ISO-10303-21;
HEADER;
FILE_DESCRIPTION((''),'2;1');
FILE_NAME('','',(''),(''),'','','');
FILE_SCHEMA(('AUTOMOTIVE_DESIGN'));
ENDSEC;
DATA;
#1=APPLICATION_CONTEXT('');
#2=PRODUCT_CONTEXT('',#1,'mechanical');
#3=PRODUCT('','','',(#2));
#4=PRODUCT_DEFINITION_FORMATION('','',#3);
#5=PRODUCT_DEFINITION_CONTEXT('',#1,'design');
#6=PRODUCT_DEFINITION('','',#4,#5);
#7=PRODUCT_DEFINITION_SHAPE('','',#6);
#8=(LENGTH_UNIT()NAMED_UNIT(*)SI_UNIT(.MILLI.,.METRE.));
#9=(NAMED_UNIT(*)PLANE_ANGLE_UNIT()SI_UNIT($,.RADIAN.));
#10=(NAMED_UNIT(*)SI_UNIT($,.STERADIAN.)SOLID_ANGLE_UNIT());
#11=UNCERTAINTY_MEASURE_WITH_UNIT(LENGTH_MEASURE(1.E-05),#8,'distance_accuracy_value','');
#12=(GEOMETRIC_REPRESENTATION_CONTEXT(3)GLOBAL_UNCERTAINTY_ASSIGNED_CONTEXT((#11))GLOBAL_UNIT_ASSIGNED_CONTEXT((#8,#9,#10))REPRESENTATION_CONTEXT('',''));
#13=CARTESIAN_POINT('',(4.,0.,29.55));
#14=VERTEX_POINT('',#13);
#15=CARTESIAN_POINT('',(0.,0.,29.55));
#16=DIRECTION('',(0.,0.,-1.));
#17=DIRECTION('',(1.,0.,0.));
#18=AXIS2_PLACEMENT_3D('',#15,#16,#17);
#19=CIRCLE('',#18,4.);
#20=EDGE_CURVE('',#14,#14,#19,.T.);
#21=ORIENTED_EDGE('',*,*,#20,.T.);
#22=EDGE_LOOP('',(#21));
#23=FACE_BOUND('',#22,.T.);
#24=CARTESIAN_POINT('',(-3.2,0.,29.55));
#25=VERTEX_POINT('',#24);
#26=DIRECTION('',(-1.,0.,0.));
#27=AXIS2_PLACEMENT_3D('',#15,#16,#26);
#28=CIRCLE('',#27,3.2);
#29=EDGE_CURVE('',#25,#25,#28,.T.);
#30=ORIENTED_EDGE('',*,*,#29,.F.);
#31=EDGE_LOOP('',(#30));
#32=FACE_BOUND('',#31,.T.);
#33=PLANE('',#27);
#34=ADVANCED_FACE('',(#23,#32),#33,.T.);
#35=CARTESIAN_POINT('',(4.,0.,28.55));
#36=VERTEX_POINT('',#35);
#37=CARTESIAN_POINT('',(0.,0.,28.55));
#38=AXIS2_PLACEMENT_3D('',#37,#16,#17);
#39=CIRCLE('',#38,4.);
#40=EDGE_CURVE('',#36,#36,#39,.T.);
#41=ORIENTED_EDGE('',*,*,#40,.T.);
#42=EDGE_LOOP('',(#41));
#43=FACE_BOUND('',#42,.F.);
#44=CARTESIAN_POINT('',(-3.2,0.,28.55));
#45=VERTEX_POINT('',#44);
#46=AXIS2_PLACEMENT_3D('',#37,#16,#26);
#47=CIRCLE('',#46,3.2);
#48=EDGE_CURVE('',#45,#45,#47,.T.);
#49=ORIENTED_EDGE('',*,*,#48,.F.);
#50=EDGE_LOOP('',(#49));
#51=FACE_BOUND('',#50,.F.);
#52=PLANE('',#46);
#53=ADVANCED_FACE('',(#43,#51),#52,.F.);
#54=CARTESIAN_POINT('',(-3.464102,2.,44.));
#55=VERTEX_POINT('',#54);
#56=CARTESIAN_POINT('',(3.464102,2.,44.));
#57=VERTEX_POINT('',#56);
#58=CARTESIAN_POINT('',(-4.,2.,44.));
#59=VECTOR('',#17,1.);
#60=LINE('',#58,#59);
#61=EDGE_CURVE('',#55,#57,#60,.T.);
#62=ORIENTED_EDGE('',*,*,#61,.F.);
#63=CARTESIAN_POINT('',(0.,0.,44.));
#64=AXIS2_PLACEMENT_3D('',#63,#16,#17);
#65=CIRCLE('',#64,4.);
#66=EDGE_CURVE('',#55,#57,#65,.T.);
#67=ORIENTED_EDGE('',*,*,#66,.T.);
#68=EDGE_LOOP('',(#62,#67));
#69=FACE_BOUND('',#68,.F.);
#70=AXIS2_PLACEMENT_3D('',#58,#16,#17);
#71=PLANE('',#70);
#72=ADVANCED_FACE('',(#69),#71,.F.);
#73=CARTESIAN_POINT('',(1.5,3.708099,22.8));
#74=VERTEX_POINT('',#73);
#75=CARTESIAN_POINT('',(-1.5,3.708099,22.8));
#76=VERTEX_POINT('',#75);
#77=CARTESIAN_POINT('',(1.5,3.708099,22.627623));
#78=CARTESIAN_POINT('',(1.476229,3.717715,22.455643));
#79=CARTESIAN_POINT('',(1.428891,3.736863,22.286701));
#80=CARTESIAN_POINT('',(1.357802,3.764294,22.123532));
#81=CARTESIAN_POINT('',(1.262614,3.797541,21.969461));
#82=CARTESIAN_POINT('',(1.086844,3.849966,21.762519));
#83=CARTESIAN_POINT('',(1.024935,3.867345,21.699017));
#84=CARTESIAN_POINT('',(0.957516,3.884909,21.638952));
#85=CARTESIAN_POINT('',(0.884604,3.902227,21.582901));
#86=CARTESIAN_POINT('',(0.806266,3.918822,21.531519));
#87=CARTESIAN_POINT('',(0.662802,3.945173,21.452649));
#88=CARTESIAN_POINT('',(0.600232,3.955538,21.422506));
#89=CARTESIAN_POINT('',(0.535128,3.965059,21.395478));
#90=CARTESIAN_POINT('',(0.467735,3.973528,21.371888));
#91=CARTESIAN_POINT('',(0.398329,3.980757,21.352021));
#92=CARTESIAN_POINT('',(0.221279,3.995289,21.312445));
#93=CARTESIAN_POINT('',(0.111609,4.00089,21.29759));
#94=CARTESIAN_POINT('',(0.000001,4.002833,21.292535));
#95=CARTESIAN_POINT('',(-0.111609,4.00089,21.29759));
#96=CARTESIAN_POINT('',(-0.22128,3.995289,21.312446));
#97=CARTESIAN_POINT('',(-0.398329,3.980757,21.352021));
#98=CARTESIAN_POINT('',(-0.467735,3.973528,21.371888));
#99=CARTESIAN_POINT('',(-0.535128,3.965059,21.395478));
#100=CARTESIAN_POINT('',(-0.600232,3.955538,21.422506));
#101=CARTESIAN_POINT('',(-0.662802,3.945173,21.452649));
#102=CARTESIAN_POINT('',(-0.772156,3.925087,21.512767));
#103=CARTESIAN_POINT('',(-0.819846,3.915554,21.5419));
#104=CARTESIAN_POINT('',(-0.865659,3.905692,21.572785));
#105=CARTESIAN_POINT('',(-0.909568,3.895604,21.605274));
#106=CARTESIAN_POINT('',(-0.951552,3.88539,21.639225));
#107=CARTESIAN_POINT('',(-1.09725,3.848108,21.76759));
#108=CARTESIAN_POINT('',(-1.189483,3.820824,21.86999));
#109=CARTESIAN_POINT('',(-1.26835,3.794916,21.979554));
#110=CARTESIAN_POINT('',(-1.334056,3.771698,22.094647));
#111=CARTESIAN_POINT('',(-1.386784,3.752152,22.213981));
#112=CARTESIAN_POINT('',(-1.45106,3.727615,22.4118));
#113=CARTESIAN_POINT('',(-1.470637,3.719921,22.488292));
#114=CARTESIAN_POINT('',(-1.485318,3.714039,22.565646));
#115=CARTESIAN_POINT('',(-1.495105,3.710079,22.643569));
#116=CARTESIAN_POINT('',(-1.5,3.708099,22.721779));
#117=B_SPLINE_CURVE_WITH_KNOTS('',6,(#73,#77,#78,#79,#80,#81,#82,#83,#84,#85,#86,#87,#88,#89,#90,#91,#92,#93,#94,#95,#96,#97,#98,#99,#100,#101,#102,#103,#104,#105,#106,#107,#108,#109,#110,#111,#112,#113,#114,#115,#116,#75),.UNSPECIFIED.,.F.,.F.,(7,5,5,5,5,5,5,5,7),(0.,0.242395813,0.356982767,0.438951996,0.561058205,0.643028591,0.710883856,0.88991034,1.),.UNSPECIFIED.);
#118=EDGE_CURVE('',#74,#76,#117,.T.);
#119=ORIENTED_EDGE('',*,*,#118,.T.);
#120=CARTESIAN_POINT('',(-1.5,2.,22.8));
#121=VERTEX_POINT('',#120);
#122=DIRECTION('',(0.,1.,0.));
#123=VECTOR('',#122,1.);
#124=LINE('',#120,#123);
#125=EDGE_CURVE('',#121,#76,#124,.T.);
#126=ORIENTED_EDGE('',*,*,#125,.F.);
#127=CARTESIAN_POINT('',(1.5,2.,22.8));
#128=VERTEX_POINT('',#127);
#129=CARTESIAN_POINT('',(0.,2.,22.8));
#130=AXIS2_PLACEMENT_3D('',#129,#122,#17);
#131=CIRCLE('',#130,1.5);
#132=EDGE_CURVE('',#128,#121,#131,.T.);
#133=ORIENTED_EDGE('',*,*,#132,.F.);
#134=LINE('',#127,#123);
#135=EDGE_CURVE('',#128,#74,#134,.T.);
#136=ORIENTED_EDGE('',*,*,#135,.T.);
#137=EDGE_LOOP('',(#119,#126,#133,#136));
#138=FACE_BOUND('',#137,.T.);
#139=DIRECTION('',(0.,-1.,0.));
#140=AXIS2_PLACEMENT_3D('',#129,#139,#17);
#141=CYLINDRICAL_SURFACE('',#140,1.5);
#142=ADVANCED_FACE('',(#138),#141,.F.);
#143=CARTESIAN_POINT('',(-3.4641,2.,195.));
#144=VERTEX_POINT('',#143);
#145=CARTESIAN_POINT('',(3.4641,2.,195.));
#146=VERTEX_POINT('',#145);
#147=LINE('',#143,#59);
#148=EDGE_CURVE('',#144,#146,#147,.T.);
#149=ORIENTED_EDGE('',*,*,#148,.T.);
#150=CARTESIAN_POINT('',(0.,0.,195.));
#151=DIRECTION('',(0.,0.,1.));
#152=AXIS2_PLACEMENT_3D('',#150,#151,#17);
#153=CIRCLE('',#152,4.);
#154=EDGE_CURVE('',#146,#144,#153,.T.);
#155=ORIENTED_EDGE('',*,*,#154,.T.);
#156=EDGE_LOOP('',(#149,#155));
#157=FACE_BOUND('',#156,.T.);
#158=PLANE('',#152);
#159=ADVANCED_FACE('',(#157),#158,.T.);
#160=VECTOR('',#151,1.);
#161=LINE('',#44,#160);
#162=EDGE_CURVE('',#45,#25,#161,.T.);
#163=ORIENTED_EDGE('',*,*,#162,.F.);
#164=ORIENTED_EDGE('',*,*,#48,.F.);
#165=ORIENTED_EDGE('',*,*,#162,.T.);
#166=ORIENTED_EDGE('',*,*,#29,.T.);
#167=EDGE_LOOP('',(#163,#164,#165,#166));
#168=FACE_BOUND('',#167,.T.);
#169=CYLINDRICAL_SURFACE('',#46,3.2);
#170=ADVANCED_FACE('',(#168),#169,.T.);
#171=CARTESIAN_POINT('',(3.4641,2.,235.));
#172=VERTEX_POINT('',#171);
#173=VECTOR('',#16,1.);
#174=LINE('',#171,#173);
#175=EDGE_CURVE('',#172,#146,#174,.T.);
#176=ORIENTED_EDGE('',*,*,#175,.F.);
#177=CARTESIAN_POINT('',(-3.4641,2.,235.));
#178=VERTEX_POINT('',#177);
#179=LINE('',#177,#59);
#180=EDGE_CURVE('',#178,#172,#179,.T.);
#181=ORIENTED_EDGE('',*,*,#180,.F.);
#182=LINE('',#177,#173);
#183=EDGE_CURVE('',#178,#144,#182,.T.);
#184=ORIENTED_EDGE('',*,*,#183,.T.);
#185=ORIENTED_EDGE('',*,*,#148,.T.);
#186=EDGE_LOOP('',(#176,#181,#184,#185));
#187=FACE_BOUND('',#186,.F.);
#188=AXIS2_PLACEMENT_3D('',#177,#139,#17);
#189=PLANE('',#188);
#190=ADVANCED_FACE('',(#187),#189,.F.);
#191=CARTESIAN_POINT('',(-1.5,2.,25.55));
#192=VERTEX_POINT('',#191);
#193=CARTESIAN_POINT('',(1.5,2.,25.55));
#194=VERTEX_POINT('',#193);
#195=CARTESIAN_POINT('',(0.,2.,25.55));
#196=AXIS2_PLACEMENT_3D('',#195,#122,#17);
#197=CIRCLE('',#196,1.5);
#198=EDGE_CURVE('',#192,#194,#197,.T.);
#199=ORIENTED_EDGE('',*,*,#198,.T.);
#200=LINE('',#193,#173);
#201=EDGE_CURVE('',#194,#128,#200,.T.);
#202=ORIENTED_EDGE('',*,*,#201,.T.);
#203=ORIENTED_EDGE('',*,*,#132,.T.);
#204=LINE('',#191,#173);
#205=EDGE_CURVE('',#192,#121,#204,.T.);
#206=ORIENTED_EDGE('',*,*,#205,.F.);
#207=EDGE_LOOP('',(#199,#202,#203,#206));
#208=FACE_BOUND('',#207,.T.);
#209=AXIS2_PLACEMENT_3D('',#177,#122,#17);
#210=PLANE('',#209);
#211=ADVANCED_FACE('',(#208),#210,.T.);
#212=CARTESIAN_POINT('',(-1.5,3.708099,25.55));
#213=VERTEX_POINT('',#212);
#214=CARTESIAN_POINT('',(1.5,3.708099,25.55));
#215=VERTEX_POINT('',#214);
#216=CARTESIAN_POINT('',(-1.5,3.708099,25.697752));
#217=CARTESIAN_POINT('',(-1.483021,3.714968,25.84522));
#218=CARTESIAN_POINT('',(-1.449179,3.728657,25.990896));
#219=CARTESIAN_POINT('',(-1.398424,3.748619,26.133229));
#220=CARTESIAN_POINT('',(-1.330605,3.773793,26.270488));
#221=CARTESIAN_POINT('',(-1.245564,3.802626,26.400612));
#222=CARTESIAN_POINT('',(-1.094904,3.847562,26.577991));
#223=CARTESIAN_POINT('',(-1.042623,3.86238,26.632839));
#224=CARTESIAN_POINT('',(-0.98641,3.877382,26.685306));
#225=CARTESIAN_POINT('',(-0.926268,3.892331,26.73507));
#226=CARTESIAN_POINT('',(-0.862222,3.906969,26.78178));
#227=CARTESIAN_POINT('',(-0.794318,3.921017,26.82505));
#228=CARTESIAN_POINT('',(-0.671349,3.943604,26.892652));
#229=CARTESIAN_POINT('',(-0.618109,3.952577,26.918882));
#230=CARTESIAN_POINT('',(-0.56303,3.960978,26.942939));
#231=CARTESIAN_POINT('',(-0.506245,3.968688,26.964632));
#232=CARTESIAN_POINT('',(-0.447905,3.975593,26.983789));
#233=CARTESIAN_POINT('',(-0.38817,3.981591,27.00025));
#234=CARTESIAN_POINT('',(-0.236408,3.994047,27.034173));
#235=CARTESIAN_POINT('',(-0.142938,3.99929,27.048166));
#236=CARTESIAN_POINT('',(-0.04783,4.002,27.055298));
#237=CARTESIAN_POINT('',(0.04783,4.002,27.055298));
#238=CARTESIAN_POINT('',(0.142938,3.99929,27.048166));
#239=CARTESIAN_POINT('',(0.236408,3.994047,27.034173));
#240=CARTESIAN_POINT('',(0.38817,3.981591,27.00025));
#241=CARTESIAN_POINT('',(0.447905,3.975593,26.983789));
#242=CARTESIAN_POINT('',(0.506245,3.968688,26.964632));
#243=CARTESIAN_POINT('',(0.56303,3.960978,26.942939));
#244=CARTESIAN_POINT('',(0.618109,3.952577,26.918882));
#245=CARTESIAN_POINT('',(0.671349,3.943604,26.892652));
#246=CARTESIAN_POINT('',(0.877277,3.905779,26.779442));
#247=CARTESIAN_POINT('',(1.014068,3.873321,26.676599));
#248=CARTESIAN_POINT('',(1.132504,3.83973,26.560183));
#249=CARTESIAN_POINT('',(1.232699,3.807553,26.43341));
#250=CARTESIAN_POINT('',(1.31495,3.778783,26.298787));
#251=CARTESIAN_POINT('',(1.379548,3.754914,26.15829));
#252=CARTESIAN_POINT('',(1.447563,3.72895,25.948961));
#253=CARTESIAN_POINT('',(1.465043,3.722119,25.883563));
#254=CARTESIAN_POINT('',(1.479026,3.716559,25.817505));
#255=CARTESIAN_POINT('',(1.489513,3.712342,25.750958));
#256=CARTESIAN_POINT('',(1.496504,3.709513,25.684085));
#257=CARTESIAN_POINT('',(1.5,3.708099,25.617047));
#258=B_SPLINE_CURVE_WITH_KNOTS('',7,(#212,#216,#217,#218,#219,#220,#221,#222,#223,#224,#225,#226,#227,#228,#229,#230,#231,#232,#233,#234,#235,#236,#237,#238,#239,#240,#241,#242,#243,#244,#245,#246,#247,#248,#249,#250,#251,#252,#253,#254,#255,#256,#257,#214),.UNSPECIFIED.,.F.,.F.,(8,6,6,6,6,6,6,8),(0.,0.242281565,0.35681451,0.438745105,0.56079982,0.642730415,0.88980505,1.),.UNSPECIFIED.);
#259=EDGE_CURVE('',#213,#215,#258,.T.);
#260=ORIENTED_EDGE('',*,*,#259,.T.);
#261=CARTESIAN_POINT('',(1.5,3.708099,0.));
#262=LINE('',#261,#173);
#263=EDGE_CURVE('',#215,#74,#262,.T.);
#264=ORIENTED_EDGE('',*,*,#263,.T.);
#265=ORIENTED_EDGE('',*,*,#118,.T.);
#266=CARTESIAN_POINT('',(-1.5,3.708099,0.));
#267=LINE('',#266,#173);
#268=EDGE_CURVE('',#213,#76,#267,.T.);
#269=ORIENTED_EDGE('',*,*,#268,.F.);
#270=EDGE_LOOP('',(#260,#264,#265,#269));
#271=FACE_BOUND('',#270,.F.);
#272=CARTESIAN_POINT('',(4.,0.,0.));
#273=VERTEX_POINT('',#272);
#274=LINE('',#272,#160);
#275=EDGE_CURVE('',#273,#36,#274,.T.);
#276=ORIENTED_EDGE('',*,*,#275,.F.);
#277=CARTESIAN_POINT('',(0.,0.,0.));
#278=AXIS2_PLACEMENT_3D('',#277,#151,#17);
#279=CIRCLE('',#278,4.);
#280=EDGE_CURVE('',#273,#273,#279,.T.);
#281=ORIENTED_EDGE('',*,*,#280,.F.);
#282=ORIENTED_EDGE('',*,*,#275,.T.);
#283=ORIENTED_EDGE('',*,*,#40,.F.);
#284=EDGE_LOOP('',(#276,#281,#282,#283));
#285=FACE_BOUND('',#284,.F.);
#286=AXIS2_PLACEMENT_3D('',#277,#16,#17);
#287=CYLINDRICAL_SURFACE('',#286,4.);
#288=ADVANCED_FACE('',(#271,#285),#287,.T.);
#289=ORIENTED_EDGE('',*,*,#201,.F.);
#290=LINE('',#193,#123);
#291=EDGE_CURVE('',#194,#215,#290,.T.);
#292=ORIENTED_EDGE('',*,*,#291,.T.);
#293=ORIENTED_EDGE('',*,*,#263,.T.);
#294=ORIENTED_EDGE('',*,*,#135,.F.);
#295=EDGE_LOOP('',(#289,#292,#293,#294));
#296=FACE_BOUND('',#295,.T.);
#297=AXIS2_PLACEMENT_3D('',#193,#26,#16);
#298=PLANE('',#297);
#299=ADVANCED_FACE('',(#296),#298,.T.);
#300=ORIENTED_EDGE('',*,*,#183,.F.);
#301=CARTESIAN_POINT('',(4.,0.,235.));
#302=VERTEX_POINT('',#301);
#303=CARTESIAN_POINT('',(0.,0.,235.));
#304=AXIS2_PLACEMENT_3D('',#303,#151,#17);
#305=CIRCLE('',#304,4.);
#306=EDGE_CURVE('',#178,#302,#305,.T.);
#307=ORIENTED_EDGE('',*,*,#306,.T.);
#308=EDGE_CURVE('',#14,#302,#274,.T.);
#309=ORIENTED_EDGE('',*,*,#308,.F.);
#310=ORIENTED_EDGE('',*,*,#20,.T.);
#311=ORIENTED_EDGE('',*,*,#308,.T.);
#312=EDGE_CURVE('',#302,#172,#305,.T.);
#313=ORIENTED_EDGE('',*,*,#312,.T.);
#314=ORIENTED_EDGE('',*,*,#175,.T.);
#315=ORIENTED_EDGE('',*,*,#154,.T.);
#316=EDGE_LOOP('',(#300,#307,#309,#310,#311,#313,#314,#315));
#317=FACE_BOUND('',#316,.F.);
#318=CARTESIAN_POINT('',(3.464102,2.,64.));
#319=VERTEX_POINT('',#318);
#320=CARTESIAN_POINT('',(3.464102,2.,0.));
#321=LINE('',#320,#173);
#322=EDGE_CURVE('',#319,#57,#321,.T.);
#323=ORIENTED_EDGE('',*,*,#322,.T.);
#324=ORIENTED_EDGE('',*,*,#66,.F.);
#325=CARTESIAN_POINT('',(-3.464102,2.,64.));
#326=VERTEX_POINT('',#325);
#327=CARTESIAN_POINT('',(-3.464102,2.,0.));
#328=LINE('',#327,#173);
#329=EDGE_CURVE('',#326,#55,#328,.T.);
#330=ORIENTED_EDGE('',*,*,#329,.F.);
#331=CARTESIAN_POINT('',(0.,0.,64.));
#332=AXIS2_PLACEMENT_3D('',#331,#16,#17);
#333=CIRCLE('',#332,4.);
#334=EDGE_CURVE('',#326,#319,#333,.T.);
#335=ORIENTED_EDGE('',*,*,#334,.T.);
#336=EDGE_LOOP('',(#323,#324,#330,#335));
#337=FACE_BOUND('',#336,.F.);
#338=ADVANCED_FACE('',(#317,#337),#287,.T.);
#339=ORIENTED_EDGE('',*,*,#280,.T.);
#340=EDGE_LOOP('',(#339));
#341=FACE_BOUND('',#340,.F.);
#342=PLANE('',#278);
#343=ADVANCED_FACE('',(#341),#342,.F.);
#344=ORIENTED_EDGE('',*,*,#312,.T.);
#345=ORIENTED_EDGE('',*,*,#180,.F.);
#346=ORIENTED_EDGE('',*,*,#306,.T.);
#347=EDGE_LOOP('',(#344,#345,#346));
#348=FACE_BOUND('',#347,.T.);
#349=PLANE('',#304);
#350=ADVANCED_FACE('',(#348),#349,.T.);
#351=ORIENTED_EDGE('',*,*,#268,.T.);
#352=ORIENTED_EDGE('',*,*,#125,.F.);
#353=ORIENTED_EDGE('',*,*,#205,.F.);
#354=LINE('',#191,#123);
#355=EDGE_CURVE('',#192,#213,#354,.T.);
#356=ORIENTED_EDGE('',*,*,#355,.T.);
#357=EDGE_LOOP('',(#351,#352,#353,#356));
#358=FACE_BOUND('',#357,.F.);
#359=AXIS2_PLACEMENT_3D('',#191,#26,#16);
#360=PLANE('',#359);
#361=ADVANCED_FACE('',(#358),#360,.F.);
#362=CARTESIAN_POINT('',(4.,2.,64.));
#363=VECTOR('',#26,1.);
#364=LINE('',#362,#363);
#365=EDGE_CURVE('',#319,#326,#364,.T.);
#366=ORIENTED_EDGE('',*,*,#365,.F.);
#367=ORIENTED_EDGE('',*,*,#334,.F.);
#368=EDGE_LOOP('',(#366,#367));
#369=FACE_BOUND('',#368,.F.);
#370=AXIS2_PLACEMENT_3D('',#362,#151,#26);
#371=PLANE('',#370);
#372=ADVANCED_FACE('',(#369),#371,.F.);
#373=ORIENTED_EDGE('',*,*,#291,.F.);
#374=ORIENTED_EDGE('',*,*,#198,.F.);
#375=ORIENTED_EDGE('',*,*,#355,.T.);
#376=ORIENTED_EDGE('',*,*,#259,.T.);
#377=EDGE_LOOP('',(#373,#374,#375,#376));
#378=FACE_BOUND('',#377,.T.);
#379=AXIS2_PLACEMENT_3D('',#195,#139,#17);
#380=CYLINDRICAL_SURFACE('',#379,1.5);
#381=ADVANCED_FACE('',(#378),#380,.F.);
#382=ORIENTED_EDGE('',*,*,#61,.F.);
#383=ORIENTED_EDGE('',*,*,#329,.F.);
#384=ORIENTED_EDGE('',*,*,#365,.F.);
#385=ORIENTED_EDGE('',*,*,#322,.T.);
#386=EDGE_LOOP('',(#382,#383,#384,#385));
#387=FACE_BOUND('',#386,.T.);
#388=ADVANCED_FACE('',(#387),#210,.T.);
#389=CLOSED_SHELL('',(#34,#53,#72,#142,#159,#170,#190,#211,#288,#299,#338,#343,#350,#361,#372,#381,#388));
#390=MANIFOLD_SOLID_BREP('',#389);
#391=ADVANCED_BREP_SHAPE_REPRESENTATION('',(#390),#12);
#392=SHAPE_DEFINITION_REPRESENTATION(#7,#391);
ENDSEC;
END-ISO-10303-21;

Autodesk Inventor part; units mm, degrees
ref_plane "YZ Plane" through (0, 0, 0) normal (1, 0, 0) x (0, 1, 0)
ref_plane "XZ Plane" through (0, 0, 0) normal (0, 1, 0) x (-1, 0, 0)
sketch "Sketch1" plane through (0, 0, 0) normal (0, 0, 1) x (1, 0, 0)
  circle A0 centre (0, 0) radius 4
  dimension "d0" = 8
extrude "Extrusion1" add sketch "Sketch1" along normal blind 235
sketch "Sketch5" plane through (0, 0, 235) normal (0, 0, 1) x (1, 0, 0)
  circle A0 centre (0, 0) radius 4 projected
  line L0 (-3.4641, 2) -> (3.4641, 2)
  arc A1 (3.4641, 2) -> (-3.4641, 2) centre (0, 0) ccw
  dimension "d18" = 2
extrude "Extrusion5" cut sketch "Sketch5" against normal blind 40 contours L0 A0 picked at (-0.1548, 2.6577)
sketch "Sketch7" plane through (-3.4641, 2, 235) normal (0, 1, 0) x (1, 0, 0)
  circle A0 centre (3.4641, 209.45) radius 1.5
  circle A1 centre (3.4641, 212.2) radius 1.5
  line L0 (1.9641, 209.45) -> (1.9641, 212.2)
  line L1 (4.9641, 209.45) -> (4.9641, 212.2)
  line L2 (-0.5359, 235) -> (-0.5359, 0) projected
  line L3 (7.4641, 235) -> (7.4641, 0) projected
  line L4 (-0.5359, 191) -> (7.4641, 191)
  line L5 (7.4641, 191) -> (7.4641, 171)
  line L6 (7.4641, 171) -> (-0.5359, 171)
  line L7 (-0.5359, 171) -> (-0.5359, 191)
  point P0 (3.4641, 235)
  dimension "d21" = 3
  dimension "d22" = 3
  dimension "d23" = 2.75
  dimension "d24" = 22.8
  dimension "d25" = 20
  dimension "d26" = 44
extrude "Extrusion6" cut sketch "Sketch7" along normal through all
ref_plane "Work Plane1" through (0, 0, 28.55) normal (0, 0, -1) x (-1, 0, 0)
sketch "Sketch8" plane through (0, 0, 28.55) normal (0, 0, -1) x (-1, 0, 0)
  circle A0 centre (0, 0) radius 4 projected
  circle A1 centre (0, 0) radius 3.2
  dimension "d30" = 0.8
extrude "Extrusion7" cut sketch "Sketch8" against normal blind 1
properties part number "AA054" material "Aluminum 6061"
